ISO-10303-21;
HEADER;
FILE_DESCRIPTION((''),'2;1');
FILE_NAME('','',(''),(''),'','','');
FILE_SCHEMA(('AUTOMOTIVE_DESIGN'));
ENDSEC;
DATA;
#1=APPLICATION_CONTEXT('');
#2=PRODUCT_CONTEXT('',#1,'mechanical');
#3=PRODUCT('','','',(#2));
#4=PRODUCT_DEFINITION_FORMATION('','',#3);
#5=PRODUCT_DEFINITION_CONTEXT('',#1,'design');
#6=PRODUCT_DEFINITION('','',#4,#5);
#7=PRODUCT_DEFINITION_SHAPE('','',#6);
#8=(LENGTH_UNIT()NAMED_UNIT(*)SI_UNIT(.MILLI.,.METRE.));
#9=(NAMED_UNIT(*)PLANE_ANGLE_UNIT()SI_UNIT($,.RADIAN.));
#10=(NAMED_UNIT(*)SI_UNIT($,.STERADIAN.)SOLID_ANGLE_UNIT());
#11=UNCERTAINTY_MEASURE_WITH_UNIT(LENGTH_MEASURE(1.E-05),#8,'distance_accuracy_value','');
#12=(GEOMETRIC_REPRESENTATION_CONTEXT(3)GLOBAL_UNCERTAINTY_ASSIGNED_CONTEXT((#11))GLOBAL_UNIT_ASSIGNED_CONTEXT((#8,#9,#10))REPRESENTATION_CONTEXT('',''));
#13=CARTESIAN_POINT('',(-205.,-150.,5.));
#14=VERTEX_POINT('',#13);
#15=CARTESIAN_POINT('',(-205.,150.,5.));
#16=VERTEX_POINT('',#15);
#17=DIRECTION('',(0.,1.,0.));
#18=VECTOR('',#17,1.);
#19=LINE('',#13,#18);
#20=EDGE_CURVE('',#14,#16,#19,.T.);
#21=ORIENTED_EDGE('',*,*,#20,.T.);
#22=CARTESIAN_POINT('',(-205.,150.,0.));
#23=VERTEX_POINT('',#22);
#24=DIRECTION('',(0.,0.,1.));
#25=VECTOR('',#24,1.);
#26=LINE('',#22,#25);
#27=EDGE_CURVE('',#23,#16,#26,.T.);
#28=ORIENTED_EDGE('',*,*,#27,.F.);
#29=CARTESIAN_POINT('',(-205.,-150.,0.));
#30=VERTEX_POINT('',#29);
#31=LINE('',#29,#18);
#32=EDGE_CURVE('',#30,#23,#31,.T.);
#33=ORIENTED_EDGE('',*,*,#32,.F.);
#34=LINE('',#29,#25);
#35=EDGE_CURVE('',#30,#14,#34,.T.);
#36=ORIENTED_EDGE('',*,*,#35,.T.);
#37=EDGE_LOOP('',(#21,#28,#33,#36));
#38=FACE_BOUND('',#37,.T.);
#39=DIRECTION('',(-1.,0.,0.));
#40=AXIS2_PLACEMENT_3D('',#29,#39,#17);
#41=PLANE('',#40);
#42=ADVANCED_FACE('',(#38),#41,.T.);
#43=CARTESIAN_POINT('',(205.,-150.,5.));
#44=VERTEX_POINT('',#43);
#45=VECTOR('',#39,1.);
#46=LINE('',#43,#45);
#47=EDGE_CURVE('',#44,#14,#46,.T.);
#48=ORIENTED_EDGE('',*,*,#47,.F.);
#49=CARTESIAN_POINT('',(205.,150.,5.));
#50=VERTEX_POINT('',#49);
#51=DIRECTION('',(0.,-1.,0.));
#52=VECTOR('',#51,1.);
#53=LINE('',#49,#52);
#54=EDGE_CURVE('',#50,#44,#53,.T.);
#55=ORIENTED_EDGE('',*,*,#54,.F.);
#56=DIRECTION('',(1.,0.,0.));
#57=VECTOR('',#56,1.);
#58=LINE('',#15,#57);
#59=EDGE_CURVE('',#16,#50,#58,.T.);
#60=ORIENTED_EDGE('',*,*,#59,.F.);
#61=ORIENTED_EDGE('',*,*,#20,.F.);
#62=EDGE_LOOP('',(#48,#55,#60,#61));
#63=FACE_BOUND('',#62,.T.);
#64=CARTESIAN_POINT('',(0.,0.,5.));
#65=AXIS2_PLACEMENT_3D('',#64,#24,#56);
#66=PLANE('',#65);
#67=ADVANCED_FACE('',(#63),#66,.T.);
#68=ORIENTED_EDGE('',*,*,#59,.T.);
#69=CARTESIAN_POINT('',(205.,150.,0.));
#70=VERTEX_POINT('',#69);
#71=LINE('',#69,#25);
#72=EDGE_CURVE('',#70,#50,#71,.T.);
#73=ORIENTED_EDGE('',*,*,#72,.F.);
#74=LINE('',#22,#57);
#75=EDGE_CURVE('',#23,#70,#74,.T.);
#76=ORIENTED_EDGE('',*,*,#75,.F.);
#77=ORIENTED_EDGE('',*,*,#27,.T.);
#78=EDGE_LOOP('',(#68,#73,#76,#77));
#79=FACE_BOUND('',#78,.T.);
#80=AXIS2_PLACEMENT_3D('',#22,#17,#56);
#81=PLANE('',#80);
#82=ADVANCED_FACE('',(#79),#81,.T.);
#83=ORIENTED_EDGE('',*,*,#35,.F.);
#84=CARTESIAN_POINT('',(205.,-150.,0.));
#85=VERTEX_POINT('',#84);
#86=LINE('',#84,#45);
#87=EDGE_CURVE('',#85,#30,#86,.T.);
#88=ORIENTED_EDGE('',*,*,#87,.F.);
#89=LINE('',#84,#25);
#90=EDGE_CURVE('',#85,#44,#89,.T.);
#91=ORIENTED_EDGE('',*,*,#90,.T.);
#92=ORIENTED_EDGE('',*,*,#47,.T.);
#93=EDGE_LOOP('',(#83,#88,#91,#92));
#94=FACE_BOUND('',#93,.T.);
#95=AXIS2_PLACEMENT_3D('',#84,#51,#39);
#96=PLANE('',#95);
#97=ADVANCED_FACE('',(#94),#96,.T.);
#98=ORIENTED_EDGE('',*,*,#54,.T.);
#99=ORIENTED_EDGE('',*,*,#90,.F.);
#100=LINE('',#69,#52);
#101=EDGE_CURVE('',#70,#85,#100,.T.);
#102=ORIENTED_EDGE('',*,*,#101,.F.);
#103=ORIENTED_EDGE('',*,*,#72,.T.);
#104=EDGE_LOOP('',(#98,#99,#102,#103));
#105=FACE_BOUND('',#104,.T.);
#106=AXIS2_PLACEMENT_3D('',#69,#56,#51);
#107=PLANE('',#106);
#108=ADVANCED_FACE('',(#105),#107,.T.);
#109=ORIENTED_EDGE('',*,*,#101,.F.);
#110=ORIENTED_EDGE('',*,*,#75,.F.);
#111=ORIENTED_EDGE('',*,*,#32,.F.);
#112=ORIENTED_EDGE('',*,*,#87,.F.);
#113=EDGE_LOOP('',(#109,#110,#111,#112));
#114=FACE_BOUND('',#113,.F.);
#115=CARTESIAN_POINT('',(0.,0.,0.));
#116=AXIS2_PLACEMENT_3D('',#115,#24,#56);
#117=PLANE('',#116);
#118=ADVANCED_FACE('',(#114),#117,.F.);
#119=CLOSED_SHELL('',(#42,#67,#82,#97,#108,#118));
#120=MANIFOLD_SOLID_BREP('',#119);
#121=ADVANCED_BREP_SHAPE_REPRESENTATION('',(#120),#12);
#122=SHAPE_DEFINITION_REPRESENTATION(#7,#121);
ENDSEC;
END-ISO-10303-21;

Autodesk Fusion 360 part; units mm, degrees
sketch "Sketch1" plane through (0, 0, 0) normal (0, 0, 1) x (1, 0, 0)
  line L0 (-205, 150) -> (205, 150)
  line L1 (205, 150) -> (205, -150)
  line L2 (205, -150) -> (-205, -150)
  line L3 (-205, -150) -> (-205, 150)
  line L4 (-205, 150) -> (205, -150) construction
  dimension "d1" = 410
  dimension "d2" = 300
extrude "Extrude1" add sketch "Sketch1" along normal blind 5
